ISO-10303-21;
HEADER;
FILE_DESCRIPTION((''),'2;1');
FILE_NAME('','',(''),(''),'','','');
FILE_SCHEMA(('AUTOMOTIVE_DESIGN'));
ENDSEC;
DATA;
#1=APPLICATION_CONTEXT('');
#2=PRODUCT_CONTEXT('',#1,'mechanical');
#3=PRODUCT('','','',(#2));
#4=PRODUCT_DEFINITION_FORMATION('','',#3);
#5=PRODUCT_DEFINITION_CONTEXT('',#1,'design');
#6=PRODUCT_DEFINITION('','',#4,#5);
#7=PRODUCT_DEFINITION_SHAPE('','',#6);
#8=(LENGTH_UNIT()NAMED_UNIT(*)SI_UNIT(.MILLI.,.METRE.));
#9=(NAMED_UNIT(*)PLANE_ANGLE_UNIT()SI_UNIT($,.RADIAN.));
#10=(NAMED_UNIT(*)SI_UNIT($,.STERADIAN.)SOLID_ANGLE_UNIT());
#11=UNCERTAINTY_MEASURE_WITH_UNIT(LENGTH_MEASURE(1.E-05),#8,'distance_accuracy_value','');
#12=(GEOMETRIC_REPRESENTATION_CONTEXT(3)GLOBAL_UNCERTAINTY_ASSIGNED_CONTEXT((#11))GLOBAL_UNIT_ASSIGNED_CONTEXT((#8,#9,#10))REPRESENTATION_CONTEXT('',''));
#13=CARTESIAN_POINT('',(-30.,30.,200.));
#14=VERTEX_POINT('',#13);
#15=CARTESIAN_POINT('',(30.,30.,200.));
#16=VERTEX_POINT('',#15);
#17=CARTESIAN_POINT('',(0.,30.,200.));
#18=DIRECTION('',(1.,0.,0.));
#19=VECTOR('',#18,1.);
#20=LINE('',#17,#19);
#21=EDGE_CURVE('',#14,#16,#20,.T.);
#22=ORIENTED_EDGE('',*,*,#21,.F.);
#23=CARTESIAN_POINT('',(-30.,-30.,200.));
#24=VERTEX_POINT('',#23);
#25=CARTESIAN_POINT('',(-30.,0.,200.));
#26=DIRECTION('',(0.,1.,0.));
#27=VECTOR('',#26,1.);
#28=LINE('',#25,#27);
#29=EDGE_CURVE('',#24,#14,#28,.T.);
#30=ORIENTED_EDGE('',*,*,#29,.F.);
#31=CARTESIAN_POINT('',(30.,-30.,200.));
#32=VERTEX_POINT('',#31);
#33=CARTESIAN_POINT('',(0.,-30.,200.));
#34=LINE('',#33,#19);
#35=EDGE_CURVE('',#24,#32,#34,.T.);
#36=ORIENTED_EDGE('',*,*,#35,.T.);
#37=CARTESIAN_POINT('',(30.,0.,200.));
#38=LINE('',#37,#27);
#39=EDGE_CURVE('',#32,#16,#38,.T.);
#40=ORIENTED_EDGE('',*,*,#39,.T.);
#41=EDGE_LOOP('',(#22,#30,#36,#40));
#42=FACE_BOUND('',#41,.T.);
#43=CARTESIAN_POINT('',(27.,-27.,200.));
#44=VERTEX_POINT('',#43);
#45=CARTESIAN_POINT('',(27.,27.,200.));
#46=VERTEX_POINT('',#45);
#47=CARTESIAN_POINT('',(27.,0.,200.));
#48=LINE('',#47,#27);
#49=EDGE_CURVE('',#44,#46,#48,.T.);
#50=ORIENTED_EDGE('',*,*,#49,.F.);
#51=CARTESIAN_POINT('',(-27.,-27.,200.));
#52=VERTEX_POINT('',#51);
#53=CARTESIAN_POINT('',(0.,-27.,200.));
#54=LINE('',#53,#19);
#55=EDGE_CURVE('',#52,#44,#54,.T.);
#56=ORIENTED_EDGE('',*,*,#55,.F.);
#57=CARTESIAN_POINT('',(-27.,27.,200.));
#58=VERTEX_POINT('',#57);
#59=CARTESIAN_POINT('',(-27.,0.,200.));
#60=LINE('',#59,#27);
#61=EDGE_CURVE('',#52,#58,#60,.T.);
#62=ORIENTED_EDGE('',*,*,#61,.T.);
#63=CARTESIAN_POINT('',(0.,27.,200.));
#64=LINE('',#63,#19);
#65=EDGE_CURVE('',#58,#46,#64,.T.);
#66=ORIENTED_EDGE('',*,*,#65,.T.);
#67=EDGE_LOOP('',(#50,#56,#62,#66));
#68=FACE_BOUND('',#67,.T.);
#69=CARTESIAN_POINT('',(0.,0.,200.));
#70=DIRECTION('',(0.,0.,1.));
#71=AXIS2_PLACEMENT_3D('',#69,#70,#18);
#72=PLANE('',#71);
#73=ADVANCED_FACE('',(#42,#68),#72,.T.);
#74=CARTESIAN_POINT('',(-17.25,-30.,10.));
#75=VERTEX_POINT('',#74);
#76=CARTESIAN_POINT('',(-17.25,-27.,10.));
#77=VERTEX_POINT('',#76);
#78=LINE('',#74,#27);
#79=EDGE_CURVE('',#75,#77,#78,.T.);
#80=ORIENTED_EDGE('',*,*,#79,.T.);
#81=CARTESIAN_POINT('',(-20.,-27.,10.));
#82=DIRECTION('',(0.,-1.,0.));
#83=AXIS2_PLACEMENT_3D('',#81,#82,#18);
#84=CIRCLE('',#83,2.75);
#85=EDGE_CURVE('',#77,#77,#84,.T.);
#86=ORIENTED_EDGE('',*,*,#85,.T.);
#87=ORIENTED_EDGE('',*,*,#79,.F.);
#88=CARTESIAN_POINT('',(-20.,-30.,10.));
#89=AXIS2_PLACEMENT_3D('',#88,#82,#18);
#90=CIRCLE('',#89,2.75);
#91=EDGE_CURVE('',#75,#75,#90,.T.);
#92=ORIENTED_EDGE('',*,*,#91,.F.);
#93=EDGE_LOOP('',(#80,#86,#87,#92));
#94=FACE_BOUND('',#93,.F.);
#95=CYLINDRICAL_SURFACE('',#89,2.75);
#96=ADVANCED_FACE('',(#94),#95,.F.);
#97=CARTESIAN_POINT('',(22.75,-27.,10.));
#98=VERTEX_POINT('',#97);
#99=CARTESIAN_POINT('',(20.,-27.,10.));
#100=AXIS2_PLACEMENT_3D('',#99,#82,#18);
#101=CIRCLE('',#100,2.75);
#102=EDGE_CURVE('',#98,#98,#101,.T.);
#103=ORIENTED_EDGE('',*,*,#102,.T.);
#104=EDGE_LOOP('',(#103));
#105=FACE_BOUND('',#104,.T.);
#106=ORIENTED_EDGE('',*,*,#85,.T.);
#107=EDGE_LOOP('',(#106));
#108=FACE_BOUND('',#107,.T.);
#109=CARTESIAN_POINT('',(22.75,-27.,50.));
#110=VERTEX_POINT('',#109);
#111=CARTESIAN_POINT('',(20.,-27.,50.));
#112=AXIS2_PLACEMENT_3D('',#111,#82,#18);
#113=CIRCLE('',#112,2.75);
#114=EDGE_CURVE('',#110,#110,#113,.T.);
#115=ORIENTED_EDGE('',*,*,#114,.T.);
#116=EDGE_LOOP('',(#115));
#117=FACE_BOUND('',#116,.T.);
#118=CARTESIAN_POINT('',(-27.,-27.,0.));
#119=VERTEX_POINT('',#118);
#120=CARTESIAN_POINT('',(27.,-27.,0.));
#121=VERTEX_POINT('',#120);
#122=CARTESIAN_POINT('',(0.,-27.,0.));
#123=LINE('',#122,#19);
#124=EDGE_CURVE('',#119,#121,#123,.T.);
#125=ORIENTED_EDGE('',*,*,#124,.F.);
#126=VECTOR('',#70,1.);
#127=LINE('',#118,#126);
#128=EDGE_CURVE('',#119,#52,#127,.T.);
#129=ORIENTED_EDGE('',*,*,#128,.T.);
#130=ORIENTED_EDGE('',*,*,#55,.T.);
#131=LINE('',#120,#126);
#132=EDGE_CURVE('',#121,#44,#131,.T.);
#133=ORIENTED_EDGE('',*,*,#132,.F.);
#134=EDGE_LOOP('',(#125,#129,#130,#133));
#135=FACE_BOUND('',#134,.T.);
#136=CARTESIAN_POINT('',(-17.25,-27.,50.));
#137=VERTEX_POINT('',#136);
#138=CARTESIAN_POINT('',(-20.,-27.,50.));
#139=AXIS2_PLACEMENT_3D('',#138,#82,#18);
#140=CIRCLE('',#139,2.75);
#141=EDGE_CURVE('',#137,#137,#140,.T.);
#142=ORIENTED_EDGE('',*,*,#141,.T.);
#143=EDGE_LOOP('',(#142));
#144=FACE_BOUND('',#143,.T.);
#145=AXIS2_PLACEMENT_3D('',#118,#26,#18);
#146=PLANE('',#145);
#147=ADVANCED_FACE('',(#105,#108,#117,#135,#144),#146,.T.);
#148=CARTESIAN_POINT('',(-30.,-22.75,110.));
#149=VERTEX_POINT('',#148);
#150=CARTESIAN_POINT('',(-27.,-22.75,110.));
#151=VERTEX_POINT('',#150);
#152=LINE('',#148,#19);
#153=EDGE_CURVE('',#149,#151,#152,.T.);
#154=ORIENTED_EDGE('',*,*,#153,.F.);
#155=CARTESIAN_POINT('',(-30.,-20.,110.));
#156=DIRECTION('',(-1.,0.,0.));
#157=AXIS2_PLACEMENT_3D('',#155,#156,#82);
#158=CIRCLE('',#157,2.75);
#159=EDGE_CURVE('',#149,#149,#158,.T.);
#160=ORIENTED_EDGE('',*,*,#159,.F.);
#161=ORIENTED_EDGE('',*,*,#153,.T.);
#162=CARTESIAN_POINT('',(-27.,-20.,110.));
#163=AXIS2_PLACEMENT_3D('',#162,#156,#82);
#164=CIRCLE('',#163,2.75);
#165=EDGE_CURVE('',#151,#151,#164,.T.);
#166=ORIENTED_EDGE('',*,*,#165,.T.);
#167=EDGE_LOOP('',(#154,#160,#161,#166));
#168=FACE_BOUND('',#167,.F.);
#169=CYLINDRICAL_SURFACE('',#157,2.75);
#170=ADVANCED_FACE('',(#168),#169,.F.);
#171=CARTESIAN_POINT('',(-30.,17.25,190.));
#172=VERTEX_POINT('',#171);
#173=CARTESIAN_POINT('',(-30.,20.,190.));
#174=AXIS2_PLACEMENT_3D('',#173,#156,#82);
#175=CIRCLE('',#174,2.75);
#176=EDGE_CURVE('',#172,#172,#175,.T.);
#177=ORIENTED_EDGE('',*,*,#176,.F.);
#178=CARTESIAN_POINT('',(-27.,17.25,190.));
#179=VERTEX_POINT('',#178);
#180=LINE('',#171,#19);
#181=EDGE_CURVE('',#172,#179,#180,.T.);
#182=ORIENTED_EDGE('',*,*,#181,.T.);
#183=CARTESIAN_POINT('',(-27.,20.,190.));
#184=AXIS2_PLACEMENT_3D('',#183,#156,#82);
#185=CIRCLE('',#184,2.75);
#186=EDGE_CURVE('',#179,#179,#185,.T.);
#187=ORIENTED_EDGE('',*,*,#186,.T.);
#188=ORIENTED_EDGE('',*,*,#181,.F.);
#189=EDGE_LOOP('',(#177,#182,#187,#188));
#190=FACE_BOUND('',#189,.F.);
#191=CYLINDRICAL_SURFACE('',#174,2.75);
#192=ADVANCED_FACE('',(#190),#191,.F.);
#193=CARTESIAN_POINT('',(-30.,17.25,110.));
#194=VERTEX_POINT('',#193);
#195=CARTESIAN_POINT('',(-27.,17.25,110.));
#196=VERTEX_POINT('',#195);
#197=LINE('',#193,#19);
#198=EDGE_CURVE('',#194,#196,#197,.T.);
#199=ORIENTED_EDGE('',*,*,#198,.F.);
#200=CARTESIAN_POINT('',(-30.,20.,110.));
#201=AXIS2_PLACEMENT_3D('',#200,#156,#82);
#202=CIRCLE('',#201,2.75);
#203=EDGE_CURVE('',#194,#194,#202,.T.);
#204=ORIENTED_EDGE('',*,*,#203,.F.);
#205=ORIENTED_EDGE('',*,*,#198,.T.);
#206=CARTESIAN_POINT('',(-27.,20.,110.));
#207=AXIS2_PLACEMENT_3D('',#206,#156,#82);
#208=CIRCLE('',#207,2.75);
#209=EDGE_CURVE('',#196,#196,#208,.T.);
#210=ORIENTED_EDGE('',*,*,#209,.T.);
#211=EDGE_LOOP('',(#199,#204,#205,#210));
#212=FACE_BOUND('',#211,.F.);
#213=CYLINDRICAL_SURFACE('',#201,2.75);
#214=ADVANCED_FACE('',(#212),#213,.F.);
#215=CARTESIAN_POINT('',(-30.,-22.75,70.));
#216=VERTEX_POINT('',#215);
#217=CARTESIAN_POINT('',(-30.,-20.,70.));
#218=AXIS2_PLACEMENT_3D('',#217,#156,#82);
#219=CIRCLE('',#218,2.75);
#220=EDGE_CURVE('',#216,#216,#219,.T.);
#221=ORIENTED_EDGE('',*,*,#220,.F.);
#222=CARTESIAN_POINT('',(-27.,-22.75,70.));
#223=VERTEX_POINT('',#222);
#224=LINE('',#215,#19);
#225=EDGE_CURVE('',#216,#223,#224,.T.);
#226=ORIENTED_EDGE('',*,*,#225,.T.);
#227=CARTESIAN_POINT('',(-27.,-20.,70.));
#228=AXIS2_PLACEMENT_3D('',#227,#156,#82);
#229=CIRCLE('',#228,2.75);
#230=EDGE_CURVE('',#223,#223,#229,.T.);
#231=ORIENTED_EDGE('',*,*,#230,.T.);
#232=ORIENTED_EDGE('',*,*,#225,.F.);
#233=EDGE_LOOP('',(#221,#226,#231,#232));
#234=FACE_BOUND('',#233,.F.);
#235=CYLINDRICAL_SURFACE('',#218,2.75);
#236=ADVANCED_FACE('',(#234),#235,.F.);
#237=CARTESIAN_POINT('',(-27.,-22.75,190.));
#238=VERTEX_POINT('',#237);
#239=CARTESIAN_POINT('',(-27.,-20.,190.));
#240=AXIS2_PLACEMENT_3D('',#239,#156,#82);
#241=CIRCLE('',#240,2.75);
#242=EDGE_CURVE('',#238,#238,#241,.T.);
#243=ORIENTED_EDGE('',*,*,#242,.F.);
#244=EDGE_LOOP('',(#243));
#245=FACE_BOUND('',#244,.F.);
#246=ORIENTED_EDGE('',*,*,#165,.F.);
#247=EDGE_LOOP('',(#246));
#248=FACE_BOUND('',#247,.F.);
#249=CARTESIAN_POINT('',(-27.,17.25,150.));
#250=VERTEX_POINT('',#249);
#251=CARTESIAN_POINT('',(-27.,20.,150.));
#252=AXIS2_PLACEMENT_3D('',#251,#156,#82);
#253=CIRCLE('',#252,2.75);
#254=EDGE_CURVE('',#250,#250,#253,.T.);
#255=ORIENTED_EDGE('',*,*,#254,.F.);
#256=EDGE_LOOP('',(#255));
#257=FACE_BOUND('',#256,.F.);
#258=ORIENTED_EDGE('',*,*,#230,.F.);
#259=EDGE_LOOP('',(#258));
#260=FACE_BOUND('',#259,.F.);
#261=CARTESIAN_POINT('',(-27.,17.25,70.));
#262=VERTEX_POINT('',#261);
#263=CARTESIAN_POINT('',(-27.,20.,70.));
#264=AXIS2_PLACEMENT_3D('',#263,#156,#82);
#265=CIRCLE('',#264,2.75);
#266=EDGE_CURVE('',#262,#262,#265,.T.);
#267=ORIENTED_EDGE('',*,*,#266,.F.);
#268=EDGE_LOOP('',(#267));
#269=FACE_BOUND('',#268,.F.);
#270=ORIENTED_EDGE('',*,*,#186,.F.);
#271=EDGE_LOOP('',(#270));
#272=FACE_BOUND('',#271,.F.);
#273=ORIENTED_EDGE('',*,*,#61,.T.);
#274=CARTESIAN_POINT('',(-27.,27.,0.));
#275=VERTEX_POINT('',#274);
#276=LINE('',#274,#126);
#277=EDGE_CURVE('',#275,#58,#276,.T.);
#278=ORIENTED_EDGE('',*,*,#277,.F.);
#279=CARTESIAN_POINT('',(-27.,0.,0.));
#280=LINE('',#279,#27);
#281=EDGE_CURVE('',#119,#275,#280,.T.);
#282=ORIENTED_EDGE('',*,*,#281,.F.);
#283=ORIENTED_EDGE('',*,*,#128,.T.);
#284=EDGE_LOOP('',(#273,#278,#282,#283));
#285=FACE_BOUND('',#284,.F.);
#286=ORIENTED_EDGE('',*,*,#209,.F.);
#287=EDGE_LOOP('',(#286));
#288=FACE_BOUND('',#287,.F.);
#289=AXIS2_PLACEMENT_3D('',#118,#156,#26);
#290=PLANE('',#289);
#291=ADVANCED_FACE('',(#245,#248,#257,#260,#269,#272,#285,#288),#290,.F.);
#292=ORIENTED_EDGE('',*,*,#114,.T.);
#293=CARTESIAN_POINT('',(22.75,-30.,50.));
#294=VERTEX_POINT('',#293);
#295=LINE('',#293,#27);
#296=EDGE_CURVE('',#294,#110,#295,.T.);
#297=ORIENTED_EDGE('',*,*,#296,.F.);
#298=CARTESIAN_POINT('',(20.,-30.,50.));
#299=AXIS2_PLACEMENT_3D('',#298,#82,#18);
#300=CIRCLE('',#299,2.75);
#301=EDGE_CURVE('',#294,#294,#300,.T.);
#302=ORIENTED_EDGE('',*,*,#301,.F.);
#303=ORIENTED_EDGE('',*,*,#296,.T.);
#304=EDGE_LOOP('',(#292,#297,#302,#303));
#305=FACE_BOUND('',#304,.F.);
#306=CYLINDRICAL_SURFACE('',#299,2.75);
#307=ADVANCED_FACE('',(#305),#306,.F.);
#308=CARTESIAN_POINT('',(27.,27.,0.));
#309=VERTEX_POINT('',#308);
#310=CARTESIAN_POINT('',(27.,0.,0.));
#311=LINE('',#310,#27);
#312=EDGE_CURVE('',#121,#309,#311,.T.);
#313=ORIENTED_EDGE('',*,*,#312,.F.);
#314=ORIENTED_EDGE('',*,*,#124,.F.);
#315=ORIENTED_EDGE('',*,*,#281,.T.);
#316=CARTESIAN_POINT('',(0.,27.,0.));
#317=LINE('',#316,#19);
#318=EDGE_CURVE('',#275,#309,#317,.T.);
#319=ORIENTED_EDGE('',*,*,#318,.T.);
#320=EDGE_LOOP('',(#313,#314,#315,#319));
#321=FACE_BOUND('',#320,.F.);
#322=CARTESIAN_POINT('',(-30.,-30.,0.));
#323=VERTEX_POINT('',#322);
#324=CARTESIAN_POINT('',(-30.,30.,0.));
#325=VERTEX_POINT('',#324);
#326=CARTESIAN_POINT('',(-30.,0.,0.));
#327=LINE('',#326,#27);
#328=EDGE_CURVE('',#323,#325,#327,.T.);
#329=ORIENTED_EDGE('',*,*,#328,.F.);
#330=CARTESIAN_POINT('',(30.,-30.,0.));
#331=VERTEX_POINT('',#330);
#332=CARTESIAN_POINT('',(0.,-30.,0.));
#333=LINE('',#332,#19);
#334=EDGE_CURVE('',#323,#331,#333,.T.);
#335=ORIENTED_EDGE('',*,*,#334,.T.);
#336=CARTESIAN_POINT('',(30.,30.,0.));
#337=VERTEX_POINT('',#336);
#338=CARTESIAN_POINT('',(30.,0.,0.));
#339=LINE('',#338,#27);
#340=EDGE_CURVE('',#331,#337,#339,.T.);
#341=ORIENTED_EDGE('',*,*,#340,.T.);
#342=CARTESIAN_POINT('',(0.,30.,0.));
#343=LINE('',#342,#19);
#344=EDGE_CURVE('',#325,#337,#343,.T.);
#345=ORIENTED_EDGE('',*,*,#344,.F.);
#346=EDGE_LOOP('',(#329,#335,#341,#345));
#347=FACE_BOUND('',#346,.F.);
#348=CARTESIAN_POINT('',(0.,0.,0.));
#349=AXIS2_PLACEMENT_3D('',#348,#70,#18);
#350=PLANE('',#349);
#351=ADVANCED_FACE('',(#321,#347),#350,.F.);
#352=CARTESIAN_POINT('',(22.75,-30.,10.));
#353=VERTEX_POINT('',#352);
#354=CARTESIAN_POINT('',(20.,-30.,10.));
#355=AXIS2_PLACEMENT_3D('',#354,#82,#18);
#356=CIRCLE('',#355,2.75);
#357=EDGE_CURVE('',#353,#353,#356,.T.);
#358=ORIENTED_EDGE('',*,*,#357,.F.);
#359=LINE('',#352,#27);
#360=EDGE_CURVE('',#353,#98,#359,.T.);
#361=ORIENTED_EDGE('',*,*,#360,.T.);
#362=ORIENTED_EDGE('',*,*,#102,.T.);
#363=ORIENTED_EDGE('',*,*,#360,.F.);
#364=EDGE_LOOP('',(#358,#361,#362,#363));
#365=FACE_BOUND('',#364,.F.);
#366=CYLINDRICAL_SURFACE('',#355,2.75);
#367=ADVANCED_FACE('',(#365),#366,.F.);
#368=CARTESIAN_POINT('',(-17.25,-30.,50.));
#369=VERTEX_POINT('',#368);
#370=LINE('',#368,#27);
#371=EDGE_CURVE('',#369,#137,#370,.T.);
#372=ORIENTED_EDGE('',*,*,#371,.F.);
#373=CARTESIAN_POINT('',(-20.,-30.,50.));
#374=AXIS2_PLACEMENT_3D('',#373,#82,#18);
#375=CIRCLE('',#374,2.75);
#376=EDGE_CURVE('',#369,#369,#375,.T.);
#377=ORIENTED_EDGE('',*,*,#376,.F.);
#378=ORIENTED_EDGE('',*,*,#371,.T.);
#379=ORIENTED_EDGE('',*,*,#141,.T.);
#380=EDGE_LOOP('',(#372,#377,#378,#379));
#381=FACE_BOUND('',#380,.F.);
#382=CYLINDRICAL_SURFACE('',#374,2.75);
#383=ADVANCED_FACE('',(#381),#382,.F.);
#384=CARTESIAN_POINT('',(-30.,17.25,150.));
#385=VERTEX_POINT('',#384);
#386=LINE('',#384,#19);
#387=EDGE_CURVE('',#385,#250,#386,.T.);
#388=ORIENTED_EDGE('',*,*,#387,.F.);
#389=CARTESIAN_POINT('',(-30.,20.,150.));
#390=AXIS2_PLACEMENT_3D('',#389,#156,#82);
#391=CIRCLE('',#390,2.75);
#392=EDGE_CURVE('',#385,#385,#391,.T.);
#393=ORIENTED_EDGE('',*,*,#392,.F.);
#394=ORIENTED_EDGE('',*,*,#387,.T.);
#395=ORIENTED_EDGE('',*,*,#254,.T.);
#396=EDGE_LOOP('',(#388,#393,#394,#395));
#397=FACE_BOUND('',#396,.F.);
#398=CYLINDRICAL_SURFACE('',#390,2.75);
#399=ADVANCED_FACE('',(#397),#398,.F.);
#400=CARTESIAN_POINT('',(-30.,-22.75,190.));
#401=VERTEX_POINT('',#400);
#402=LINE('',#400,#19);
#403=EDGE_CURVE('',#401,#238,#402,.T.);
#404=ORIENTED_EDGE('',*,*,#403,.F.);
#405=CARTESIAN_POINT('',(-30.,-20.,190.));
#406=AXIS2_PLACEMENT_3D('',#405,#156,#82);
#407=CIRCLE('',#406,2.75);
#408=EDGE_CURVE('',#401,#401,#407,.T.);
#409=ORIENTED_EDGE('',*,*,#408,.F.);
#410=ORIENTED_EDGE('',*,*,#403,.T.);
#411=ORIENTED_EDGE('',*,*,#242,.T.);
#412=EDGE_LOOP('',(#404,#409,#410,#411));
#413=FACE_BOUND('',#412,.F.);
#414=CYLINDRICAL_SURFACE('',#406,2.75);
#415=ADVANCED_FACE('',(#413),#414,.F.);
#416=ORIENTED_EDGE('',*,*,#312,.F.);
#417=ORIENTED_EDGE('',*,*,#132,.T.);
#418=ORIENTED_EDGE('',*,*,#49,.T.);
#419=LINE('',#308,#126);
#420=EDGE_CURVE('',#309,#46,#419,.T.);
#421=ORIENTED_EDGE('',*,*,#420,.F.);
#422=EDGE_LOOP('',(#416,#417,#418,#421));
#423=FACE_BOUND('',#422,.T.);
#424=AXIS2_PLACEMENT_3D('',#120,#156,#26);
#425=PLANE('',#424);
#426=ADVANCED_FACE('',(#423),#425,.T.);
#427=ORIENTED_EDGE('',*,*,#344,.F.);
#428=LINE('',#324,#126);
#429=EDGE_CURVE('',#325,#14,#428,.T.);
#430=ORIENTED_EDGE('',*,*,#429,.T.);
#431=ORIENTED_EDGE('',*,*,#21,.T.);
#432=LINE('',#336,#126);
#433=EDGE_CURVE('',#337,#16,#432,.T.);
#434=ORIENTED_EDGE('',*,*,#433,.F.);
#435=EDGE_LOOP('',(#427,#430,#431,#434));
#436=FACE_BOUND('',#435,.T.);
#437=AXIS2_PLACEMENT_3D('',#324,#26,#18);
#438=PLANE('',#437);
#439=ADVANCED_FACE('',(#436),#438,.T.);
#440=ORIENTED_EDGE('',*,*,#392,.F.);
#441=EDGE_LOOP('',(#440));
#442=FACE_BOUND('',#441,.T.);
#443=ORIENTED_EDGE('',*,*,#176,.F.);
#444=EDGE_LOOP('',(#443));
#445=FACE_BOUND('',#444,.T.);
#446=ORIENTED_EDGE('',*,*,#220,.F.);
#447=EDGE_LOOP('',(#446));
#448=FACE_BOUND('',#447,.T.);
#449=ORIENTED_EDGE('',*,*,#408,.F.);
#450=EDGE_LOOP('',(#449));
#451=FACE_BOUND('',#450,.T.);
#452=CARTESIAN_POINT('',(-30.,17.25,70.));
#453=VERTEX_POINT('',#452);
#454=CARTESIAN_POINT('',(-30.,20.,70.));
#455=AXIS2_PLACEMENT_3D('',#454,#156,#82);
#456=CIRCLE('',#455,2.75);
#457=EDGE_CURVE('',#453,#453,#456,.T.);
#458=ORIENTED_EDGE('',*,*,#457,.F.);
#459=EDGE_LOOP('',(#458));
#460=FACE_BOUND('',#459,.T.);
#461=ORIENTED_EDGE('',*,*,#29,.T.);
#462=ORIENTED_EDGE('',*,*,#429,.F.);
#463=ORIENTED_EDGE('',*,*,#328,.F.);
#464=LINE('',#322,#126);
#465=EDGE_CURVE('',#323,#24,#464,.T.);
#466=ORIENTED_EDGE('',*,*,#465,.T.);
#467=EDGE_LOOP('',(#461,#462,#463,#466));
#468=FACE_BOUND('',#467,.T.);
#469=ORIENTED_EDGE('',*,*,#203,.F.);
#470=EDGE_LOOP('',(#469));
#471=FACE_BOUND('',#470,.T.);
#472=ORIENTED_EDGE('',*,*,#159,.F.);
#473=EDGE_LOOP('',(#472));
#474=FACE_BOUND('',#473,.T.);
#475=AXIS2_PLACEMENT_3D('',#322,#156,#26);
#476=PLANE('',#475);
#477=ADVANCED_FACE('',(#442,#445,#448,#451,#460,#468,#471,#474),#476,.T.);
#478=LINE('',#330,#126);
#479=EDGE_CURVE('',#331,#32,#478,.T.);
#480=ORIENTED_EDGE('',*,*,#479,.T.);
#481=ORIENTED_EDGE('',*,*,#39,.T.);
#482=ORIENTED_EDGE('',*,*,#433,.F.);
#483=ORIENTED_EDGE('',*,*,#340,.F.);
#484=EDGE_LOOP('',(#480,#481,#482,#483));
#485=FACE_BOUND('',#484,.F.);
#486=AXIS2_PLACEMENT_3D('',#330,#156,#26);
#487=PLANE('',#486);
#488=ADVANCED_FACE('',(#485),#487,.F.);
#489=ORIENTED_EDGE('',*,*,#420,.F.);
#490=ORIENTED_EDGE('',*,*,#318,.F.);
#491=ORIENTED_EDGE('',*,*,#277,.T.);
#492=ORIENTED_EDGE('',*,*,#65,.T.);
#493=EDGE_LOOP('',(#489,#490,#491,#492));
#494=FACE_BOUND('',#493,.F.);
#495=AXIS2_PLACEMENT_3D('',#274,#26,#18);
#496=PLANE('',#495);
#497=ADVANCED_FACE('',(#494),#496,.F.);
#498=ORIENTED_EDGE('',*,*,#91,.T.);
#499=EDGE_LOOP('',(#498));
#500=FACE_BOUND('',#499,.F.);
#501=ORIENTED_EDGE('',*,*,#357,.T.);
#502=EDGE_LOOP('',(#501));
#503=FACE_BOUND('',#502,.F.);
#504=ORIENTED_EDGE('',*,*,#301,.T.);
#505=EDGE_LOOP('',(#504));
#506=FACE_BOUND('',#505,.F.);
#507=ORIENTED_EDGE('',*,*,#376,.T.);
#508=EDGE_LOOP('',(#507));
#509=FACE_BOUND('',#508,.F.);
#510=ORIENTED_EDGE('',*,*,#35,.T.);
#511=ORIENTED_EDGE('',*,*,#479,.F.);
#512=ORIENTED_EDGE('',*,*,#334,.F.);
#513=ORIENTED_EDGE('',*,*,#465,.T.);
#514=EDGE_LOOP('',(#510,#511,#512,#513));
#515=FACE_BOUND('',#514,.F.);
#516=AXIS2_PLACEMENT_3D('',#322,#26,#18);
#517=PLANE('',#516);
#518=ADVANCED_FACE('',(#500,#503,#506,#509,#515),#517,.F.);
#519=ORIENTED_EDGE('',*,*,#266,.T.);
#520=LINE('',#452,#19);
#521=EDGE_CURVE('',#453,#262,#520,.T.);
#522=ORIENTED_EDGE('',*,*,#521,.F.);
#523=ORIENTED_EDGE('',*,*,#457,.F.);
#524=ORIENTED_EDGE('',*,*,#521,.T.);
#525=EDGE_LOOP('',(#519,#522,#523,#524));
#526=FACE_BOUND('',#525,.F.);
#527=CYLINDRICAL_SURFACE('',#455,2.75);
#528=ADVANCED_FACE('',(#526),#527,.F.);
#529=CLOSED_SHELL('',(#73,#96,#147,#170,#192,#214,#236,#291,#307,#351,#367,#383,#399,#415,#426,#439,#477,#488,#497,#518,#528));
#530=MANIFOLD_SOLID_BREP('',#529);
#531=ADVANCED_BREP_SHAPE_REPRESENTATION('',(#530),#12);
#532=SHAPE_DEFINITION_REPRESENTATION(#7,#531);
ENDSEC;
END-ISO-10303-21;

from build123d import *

# Parameters (mm, degrees)
SKETCH_W        = 60
SKETCH_H        = 60
SKETCH_W_2      = 54
SKETCH_H_2      = 54
PAD_DEPTH       = 200
SKETCH001_R     = 2.75
POCKET_DEPTH    = 3
SKETCH002_R     = 2.75
POCKET001_DEPTH = 3


with BuildPart() as part:
    # Sketch → Pad (new body)
    with BuildSketch(Plane.XY):
        Rectangle(SKETCH_W, SKETCH_H)
        Rectangle(SKETCH_W_2, SKETCH_H_2, mode=Mode.SUBTRACT)
    extrude(amount=PAD_DEPTH)

    # Sketch001 (on Face3 of Pad) → Pocket (cut)
    with BuildSketch(Plane.XZ.offset(30)):
        with Locations((-20, 50)):
            Circle(SKETCH001_R)
        with Locations((20, 50)):
            Circle(SKETCH001_R)
        with Locations((-20, 10)):
            Circle(SKETCH001_R)
        with Locations((20, 10)):
            Circle(SKETCH001_R)
    extrude(amount=-POCKET_DEPTH, mode=Mode.SUBTRACT)

    # Sketch002 (on Face2 of Pocket) → Pocket001 (cut)
    with BuildSketch(Plane(origin=(-30, 0, 0), x_dir=(0, -1, 0), z_dir=(-1, 0, 0))):
        with Locations((-20, 190)):
            Circle(SKETCH002_R)
        with Locations((20, 190)):
            Circle(SKETCH002_R)
        with Locations((-20, 150)):
            Circle(SKETCH002_R)
        with Locations((-60, 150)):
            Circle(SKETCH002_R)
        with Locations((-20, 110)):
            Circle(SKETCH002_R)
        with Locations((20, 110)):
            Circle(SKETCH002_R)
        with Locations((-20, 70)):
            Circle(SKETCH002_R)
        with Locations((20, 70)):
            Circle(SKETCH002_R)
    extrude(amount=-POCKET001_DEPTH, mode=Mode.SUBTRACT)


solid = part.part
